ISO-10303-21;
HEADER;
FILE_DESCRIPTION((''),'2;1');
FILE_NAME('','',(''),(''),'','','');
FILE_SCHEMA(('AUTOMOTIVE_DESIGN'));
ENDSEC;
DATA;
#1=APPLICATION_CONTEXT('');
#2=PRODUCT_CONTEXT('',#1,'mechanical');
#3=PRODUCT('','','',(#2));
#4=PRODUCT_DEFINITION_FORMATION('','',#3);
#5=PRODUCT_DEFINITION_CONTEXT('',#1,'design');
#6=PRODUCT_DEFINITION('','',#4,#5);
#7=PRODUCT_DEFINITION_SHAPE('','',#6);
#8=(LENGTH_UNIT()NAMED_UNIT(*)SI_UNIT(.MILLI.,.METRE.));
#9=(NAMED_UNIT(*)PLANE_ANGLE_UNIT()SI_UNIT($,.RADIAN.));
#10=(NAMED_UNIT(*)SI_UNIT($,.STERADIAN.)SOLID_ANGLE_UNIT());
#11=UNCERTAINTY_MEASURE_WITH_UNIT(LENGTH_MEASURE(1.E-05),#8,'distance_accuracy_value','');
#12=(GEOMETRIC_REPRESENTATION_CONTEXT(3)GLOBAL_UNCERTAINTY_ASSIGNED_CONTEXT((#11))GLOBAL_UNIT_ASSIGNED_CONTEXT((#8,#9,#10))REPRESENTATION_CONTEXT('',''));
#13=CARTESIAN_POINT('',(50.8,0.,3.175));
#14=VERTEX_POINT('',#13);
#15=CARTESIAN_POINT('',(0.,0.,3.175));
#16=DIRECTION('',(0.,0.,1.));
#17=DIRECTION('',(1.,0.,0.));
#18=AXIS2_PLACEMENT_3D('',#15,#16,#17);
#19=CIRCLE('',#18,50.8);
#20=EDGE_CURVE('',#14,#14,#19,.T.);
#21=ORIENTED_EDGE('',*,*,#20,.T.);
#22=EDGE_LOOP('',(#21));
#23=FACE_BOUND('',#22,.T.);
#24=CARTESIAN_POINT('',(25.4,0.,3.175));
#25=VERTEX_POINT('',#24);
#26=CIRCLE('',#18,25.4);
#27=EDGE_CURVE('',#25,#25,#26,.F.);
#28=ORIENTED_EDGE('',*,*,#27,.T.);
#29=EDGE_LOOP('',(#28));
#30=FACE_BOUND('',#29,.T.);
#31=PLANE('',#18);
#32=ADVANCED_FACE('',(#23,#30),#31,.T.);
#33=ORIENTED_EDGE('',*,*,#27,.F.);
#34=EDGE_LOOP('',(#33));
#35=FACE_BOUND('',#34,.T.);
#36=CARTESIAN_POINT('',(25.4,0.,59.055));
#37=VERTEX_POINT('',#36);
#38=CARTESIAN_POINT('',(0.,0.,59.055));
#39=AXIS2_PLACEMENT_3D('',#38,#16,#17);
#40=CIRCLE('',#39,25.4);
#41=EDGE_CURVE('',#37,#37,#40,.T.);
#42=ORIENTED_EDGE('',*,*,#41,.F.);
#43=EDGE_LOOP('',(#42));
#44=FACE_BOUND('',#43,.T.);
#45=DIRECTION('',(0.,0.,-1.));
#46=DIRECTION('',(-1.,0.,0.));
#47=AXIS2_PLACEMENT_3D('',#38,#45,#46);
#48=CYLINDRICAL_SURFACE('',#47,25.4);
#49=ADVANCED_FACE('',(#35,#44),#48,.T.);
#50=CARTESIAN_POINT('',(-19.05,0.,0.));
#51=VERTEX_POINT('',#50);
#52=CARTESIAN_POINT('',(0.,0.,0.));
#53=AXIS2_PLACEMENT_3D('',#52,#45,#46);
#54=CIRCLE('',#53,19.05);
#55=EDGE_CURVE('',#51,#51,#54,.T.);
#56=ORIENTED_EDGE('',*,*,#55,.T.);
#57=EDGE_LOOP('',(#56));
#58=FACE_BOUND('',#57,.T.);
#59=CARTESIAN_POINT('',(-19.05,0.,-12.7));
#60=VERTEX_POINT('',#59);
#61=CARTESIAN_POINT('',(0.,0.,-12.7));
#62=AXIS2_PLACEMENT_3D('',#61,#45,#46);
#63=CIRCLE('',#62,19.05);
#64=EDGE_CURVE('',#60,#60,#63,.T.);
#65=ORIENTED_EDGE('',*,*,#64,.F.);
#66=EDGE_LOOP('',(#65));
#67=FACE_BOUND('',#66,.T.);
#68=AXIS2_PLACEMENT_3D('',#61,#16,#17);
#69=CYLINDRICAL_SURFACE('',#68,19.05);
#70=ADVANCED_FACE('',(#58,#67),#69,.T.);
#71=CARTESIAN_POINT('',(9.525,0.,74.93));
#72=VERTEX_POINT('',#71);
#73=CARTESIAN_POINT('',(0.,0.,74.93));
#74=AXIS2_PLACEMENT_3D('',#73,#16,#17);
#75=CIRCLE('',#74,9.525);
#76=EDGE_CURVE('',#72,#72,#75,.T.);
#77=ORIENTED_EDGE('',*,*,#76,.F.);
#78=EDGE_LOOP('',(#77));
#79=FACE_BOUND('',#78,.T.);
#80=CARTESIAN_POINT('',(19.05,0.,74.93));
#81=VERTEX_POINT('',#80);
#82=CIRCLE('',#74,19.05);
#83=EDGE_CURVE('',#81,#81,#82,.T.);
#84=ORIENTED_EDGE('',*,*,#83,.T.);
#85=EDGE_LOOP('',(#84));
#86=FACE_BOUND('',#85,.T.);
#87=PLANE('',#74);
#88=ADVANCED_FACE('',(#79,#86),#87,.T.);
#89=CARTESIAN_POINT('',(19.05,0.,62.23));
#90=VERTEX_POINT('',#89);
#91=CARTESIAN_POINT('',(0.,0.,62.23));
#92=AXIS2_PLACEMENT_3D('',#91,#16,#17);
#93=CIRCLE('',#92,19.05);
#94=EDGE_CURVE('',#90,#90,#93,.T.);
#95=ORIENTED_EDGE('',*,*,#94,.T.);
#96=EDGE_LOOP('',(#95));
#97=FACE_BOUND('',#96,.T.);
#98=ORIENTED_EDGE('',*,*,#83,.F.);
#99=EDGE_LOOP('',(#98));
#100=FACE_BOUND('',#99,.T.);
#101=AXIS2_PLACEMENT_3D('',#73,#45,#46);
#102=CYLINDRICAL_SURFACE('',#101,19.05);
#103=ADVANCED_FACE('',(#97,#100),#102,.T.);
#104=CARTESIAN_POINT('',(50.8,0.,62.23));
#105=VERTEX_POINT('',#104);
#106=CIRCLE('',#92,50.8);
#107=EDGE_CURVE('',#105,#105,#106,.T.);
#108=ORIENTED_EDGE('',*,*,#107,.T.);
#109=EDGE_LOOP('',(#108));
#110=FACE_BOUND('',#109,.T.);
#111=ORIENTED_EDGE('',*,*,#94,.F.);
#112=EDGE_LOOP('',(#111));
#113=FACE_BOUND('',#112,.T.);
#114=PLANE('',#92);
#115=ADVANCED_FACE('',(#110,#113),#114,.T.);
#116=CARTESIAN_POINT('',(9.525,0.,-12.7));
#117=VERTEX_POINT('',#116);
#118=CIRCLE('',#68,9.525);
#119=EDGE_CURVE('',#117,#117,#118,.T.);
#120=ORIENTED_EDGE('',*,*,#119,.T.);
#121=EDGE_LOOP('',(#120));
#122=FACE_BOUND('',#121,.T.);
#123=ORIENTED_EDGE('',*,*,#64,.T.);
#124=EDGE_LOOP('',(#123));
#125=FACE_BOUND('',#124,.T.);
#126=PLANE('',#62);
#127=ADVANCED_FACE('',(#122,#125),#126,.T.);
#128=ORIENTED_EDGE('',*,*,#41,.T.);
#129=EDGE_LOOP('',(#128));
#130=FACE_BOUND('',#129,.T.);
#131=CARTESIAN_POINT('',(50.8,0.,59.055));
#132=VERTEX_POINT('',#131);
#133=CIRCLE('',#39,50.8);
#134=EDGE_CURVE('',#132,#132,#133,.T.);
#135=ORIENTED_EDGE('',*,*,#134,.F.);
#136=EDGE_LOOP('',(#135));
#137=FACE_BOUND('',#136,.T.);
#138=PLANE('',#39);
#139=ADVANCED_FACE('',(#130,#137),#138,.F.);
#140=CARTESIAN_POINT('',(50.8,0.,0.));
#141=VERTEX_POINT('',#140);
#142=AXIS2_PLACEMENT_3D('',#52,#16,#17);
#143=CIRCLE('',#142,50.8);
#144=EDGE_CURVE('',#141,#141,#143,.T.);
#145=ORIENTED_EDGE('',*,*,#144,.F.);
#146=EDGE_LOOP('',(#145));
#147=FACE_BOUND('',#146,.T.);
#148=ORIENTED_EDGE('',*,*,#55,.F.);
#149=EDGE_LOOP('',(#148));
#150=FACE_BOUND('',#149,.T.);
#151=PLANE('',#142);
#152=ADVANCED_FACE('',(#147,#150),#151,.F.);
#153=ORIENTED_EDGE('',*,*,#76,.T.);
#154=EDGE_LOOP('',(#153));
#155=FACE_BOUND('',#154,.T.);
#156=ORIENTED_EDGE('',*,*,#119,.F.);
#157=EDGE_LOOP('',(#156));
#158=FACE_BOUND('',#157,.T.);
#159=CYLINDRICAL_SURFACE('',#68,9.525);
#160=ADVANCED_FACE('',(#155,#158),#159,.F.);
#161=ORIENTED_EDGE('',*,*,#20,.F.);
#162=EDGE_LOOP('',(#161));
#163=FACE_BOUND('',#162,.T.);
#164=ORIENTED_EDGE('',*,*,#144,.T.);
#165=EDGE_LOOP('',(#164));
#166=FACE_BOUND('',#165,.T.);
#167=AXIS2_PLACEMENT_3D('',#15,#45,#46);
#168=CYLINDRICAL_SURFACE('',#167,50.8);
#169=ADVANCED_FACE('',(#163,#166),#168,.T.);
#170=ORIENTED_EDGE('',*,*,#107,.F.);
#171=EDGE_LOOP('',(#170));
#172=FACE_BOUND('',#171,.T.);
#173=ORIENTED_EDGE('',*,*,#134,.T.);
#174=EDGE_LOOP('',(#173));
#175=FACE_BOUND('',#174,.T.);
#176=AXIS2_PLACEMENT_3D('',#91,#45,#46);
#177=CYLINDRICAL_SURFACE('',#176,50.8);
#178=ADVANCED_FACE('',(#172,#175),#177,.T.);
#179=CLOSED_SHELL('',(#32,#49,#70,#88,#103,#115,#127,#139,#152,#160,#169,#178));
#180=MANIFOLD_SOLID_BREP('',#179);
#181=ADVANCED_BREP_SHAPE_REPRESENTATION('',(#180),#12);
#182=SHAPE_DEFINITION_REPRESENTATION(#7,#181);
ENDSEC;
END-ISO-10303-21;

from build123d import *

# Parameters (mm, degrees)
SKETCH1_R           = 50.8
BOSS_EXTRUDE1_DEPTH = 3.175
SKETCH3_R           = 25.4
BOSS_EXTRUDE2_DEPTH = 59.055
SKETCH4_R           = 50.8
BOSS_EXTRUDE3_DEPTH = 3.175
SKETCH5_R           = 19.05
BOSS_EXTRUDE4_DEPTH = 12.7
SKETCH6_R           = 19.05
BOSS_EXTRUDE5_DEPTH = 12.7
SKETCH7_R           = 9.525
CUT_EXTRUDE1_DEPTH  = 88.63


with BuildPart() as part:
    # Sketch1 → Boss-Extrude1 (new body)
    with BuildSketch(Plane.XY):
        Circle(SKETCH1_R)
    extrude(amount=BOSS_EXTRUDE1_DEPTH)

    # Sketch3 → Boss-Extrude2 (add)
    with BuildSketch(Plane.XY):
        Circle(SKETCH3_R)
    extrude(amount=BOSS_EXTRUDE2_DEPTH)

    # Sketch4 → Boss-Extrude3 (add)
    with BuildSketch(Plane.XY.offset(59.055)):
        Circle(SKETCH4_R)
    extrude(amount=BOSS_EXTRUDE3_DEPTH)

    # Sketch5 → Boss-Extrude4 (add)
    with BuildSketch(Plane.XY.offset(62.23)):
        Circle(SKETCH5_R)
    extrude(amount=BOSS_EXTRUDE4_DEPTH)

    # Sketch6 → Boss-Extrude5 (add)
    with BuildSketch(Plane(origin=(0, 0, 0), x_dir=(-1, 0, 0), z_dir=(0, 0, -1))):
        Circle(SKETCH6_R)
    extrude(amount=BOSS_EXTRUDE5_DEPTH)

    # Sketch7 → Cut-Extrude1 (cut, through all)
    with BuildSketch(Plane.XY.offset(74.93)):
        Circle(SKETCH7_R)
    extrude(amount=-CUT_EXTRUDE1_DEPTH, mode=Mode.SUBTRACT)


solid = part.part
